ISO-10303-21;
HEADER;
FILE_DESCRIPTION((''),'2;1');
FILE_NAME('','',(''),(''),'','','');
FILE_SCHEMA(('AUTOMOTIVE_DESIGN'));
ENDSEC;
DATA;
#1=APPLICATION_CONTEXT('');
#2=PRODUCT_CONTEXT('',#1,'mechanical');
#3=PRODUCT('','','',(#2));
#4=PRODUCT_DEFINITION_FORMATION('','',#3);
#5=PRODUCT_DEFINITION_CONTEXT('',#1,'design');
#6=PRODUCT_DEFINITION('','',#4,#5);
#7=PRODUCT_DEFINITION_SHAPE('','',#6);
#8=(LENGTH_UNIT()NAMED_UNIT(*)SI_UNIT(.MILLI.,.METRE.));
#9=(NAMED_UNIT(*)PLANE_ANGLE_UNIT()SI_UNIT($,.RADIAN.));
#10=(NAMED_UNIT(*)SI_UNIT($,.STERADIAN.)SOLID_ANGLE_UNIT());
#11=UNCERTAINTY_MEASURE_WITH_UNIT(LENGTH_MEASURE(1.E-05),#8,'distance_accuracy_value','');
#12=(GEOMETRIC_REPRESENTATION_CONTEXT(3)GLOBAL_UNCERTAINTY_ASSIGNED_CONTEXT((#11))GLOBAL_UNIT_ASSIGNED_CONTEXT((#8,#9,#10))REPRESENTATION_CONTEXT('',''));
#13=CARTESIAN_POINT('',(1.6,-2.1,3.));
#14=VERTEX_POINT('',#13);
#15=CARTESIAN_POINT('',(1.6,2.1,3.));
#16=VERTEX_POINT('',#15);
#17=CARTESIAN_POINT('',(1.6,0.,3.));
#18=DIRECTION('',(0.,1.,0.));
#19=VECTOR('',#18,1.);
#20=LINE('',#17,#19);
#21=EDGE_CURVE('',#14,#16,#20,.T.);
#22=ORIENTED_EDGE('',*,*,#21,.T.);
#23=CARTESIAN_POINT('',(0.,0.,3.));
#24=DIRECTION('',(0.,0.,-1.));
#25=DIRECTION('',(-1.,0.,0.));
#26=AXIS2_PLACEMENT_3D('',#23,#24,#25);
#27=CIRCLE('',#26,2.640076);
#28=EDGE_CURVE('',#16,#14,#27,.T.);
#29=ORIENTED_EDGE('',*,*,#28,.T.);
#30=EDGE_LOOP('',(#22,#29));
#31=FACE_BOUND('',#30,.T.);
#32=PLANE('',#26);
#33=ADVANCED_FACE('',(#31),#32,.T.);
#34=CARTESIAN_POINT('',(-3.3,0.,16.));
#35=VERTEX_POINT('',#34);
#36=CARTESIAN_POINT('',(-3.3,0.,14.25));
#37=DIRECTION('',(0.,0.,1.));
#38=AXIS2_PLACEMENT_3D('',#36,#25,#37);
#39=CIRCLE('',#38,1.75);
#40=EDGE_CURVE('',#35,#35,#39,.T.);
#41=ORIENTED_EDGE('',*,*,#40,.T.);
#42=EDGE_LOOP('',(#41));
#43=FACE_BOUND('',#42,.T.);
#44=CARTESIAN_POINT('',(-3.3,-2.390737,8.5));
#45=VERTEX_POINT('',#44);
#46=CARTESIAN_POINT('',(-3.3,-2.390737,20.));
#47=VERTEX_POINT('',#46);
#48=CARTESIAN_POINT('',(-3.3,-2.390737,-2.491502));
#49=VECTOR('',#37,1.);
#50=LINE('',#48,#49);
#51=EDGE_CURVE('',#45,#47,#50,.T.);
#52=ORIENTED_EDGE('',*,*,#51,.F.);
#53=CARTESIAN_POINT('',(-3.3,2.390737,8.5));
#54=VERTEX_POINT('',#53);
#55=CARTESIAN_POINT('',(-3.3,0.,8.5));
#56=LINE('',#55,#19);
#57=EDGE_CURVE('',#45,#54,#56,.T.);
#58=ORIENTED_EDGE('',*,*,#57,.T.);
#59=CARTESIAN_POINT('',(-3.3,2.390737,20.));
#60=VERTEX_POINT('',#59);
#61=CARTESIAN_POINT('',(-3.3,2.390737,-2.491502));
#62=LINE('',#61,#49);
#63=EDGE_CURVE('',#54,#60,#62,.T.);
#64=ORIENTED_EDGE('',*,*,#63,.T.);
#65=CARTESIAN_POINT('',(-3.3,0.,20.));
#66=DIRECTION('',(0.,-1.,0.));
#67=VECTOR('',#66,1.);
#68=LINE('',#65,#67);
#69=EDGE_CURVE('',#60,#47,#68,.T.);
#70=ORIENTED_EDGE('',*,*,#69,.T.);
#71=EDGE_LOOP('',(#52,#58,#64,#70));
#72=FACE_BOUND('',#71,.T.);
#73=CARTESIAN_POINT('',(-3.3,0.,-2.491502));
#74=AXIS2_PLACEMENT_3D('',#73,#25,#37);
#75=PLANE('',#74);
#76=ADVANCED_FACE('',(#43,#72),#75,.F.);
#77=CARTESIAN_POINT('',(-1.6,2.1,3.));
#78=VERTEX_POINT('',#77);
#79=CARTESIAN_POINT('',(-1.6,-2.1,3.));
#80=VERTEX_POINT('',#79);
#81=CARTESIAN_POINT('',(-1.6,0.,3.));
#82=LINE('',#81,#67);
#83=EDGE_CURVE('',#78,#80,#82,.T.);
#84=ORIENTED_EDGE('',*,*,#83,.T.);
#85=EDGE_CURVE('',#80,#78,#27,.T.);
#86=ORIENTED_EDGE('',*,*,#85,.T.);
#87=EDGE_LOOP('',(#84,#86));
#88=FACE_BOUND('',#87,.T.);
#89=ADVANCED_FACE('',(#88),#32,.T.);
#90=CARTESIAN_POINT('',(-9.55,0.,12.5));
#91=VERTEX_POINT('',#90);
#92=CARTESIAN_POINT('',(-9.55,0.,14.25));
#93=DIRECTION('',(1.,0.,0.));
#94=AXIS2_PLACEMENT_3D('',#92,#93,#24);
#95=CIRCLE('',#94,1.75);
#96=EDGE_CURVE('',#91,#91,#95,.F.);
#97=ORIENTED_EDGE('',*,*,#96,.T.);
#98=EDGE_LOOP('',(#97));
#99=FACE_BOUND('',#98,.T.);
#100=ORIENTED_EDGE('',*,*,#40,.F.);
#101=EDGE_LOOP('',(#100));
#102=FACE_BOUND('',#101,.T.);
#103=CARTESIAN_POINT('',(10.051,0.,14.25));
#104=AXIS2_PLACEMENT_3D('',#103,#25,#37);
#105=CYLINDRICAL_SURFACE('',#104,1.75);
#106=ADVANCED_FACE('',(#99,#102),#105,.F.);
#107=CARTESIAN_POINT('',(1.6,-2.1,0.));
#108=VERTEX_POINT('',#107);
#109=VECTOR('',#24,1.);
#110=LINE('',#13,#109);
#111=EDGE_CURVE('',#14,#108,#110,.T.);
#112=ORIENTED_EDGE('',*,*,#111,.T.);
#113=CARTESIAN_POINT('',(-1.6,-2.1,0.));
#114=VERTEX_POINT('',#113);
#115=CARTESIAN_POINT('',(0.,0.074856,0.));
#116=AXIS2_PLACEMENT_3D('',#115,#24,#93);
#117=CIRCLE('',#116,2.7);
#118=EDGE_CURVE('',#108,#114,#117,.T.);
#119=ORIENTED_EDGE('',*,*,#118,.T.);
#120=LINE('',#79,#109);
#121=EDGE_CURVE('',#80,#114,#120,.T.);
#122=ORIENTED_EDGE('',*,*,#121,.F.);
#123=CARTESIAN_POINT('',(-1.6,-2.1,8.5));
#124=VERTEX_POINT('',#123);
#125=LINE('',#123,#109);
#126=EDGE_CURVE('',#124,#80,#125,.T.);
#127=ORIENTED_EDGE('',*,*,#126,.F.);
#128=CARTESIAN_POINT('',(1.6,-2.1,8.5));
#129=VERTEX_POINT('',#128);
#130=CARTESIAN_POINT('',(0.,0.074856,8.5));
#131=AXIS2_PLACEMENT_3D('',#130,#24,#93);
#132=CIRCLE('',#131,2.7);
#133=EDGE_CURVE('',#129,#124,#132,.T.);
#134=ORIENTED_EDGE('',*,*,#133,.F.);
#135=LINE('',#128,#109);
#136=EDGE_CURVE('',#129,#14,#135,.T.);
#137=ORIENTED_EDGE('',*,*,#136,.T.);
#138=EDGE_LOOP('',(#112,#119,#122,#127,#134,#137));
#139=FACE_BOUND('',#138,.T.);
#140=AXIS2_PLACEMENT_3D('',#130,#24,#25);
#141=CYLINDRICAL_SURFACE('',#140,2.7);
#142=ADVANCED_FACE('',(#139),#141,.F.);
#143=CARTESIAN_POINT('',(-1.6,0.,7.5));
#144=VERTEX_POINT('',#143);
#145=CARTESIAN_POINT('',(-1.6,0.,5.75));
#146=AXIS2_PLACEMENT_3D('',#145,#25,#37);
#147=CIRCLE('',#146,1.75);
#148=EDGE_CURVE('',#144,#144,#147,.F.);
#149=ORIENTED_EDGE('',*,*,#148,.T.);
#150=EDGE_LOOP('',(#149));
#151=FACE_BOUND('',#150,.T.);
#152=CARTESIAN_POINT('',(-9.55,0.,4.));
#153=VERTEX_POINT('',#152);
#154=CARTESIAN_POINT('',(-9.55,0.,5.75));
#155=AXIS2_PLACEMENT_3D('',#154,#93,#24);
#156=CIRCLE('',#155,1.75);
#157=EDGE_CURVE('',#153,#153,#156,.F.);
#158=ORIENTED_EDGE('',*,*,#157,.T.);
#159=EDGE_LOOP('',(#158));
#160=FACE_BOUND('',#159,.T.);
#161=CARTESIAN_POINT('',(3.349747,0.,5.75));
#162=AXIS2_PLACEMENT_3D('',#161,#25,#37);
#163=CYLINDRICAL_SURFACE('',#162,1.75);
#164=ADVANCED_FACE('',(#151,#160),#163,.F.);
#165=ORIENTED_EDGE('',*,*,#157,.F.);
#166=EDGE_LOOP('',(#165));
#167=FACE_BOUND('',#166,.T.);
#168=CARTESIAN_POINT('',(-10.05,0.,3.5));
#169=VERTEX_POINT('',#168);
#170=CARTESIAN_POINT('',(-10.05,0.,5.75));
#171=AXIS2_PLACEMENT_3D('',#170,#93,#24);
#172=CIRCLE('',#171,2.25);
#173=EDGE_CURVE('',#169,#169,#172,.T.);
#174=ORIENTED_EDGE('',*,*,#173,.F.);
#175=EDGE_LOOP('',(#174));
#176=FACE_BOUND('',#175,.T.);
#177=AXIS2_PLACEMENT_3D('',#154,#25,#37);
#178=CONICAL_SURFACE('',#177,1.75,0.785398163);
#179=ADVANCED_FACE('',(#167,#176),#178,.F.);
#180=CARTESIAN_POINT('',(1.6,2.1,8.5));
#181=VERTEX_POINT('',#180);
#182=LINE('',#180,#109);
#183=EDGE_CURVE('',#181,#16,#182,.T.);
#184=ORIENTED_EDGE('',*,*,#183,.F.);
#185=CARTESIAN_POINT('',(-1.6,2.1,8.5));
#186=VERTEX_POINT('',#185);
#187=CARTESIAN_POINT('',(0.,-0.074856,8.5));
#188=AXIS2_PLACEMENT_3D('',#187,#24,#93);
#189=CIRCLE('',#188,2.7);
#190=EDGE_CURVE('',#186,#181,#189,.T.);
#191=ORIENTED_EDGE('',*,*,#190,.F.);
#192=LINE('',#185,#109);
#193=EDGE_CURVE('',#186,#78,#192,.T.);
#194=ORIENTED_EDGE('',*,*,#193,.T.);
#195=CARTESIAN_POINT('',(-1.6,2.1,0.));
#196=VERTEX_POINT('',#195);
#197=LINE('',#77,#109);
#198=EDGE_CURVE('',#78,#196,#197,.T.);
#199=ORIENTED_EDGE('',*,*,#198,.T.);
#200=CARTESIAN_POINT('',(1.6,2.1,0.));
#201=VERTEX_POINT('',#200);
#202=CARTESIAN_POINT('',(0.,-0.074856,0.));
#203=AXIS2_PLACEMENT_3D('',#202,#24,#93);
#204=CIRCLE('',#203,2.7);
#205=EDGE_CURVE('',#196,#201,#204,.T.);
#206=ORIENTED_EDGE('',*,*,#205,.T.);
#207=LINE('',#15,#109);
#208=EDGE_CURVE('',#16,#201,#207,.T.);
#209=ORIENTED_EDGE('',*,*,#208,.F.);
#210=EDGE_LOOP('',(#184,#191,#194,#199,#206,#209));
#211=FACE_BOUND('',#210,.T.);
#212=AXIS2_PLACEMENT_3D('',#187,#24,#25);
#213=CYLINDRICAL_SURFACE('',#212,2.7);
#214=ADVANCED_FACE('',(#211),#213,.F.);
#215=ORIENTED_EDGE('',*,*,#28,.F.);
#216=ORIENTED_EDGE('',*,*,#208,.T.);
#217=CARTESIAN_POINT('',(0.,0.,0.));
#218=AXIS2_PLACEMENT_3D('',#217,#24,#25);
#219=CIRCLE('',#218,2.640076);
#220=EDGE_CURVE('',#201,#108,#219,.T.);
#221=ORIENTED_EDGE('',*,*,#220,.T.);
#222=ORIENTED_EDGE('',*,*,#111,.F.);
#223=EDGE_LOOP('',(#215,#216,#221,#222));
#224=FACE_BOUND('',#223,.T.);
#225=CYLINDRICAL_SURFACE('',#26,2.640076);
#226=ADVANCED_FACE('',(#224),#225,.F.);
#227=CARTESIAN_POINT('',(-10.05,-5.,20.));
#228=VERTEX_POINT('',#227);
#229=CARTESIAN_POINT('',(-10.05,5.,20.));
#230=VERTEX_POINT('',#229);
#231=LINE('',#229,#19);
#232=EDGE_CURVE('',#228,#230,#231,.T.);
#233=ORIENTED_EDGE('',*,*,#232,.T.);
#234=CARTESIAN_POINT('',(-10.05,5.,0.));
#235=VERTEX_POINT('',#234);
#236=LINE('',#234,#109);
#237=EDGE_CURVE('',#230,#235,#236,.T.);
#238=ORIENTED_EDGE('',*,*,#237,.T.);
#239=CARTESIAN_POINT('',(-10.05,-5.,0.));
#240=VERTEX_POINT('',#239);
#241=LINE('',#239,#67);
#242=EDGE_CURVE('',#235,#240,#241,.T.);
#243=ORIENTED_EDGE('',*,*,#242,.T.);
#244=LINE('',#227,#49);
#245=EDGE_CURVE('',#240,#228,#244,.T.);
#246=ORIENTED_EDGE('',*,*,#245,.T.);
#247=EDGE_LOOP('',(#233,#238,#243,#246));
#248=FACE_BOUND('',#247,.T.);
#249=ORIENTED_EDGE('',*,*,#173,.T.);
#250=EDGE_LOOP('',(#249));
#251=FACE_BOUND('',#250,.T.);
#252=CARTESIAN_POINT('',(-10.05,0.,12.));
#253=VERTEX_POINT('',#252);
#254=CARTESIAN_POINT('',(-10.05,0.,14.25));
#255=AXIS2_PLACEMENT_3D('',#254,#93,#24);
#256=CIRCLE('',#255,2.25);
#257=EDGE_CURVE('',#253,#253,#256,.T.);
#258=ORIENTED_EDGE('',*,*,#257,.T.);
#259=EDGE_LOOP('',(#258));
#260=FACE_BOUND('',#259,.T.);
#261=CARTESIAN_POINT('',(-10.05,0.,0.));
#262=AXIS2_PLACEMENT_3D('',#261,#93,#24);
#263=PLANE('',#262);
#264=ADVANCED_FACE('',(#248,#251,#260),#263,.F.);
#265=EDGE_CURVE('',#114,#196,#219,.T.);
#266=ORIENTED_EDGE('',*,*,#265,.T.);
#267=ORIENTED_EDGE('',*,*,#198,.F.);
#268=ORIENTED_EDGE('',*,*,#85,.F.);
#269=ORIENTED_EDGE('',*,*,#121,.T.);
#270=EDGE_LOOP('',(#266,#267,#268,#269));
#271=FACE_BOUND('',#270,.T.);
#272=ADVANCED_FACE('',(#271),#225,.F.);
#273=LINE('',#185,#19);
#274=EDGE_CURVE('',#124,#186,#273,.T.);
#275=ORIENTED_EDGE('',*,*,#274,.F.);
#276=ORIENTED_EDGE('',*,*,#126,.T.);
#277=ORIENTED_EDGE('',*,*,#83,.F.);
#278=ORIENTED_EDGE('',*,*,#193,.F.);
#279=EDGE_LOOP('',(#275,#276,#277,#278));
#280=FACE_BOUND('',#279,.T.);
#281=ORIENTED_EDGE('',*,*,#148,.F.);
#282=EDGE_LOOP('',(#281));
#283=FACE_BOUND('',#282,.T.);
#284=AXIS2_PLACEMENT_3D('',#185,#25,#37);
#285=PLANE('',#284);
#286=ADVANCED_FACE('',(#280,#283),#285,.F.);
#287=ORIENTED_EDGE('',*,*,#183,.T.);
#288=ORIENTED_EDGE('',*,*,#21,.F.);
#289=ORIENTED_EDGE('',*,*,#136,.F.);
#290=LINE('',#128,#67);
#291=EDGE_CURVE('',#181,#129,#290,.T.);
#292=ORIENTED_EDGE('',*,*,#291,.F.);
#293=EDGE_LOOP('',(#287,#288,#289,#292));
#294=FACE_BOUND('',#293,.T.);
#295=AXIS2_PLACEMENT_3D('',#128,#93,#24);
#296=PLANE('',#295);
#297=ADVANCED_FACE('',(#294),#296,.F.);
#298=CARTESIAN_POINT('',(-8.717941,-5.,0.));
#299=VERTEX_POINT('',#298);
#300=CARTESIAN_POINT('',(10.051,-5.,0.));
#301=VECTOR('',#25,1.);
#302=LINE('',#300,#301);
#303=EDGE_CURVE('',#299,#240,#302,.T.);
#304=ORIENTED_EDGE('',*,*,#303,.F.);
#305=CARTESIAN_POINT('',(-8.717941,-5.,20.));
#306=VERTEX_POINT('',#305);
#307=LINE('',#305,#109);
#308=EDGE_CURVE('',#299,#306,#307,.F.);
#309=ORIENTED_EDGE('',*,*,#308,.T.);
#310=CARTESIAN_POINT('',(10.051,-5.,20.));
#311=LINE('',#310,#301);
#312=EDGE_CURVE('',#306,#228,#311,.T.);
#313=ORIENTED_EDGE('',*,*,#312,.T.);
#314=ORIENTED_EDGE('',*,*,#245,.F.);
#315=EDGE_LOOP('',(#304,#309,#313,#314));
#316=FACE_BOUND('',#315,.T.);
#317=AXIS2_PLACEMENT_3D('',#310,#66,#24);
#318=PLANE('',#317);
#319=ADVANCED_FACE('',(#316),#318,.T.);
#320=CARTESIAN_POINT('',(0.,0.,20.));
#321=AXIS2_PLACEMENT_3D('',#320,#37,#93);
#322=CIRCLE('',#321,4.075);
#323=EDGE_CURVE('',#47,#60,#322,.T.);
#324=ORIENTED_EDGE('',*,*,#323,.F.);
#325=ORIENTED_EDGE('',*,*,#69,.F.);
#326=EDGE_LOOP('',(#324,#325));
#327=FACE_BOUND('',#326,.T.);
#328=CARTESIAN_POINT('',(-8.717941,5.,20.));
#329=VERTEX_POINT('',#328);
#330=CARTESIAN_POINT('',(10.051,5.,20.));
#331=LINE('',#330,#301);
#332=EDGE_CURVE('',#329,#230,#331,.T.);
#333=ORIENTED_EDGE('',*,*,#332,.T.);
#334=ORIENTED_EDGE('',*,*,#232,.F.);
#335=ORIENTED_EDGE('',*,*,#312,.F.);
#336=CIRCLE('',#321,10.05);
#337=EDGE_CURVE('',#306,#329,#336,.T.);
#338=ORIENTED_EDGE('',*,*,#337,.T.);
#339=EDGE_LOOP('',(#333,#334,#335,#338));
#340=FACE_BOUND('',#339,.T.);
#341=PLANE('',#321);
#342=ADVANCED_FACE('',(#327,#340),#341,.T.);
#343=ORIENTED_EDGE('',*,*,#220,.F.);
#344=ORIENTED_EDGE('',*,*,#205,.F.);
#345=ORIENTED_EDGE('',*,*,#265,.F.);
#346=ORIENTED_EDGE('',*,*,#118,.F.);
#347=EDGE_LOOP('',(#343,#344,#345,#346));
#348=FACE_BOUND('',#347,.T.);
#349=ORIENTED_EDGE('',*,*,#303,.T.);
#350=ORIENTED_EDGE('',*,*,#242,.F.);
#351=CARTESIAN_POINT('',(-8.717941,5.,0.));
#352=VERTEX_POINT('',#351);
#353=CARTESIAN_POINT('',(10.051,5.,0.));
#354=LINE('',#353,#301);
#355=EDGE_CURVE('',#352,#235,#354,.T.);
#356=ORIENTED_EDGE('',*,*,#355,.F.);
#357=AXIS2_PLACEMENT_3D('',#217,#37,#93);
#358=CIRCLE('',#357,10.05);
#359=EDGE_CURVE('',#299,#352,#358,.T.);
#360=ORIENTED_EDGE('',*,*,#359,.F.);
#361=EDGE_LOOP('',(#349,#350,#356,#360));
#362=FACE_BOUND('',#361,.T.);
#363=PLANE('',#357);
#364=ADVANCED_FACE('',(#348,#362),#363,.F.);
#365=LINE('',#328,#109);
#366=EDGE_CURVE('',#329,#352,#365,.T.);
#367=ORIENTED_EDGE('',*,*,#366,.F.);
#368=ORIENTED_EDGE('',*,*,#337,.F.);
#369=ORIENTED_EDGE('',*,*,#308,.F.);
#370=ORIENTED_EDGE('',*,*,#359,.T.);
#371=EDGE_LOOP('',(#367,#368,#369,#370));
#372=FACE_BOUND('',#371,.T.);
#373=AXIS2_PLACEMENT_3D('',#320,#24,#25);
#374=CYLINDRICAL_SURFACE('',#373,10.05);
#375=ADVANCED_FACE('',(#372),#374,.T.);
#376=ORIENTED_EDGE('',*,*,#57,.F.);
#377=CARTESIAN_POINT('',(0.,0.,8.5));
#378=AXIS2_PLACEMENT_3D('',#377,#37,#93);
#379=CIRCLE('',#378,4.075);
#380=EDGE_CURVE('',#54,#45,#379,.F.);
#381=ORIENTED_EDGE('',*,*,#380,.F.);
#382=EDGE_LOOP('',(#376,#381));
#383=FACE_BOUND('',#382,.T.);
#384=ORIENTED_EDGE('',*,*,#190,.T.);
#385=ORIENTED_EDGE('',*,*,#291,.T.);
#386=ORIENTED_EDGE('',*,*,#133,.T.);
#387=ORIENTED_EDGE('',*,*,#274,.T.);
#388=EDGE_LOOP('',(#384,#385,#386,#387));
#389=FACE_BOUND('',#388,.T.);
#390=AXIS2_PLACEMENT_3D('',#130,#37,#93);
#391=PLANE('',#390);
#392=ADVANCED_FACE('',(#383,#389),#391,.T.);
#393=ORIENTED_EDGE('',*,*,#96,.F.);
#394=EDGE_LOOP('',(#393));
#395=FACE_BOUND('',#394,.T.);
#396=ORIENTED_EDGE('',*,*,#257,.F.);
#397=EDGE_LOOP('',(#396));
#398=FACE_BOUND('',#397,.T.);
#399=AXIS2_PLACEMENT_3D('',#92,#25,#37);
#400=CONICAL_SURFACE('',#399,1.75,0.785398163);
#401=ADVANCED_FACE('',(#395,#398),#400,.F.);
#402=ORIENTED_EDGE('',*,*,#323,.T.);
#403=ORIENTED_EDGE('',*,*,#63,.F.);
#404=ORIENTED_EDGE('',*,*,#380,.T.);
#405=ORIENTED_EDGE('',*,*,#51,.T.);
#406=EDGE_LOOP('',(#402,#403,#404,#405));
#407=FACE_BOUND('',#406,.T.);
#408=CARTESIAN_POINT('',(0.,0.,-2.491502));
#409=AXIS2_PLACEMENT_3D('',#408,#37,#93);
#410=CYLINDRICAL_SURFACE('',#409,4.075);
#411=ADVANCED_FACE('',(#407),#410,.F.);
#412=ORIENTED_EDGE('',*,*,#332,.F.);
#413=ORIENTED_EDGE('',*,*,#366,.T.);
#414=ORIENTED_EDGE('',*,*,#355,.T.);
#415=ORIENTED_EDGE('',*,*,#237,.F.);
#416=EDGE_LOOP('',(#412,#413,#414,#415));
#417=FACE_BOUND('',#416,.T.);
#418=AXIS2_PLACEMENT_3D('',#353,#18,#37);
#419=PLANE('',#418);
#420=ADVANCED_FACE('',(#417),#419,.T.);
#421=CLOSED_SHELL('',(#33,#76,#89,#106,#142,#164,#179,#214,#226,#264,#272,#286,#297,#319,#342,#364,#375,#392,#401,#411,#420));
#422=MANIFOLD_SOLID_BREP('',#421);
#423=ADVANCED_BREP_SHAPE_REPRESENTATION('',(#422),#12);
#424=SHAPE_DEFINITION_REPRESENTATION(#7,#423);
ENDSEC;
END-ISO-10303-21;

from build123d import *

# Parameters (mm, degrees)
SKETCH1_R                = 10.05
BOSS_EXTRUDE1_DEPTH      = 20
CUT_EXTRUDE2_DEPTH       = 8.5
CUT_EXTRUDE3_DEPTH       = 3
CUT_EXTRUDE1_DEPTH       = 11.5
BOSS_EXTRUDE2_REACH      = 32.083
BOSS_EXTRUDE2_END_RADIUS = 10.05
SKETCH8_W                = 20
SKETCH8_H                = 10
SKETCH6_R                = 1.75
CUT_EXTRUDE4_DEPTH       = 8.45
CUT_EXTRUDE5_REACH       = 32.083
CHAMFER1_SIZE            = 0.5


with BuildPart() as part:
    # Sketch1 → Boss-Extrude1 (new body)
    with BuildSketch(Plane.XY):
        Circle(SKETCH1_R)
    extrude(amount=BOSS_EXTRUDE1_DEPTH)

    # Sketch4 → Cut-Extrude2 (cut)
    with BuildSketch(Plane(origin=(0, 0, 0), x_dir=(-1, 0, 0), z_dir=(0, 0, -1))):
        with BuildLine():
            Line((-1.6, -2.1), (-1.6, 2.1))
            ThreePointArc((-1.6, 2.1), (0, 2.625143683), (1.6, 2.1))
            Line((1.6, 2.1), (1.6, -2.1))
            ThreePointArc((1.6, -2.1), (0, -2.625143683), (-1.6, -2.1))
        make_face()
    extrude(amount=-CUT_EXTRUDE2_DEPTH, mode=Mode.SUBTRACT)

    # Sketch5 → Cut-Extrude3 (cut)
    with BuildSketch(Plane(origin=(0, 0, 0), x_dir=(-1, 0, 0), z_dir=(0, 0, -1))):
        with BuildLine():
            Line((-1.6, -2.1), (-1.6, 2.1))
            ThreePointArc((-1.6, 2.1), (-2.640075756, 0), (-1.6, -2.1))
        make_face()
        with BuildLine():
            ThreePointArc((1.6, -2.1), (2.365810771, -1.171724966), (2.640075756, 0))
            ThreePointArc((2.640075756, 0), (2.365810771, 1.171724966), (1.6, 2.1))
            Line((1.6, 2.1), (1.6, -2.1))
        make_face()
    extrude(amount=-CUT_EXTRUDE3_DEPTH, mode=Mode.SUBTRACT)

    # Sketch3 → Cut-Extrude1 (cut)
    with BuildSketch(Plane.XY.offset(20)):
        with BuildLine():
            ThreePointArc((4.075, 0), (1.256607536, 3.876411033), (-3.3, 2.390737334))
            Line((-3.3, 2.390737334), (-3.3, -2.390737334))
            ThreePointArc((-3.3, -2.390737334), (1.256607536, -3.876411033), (4.075, 0))
        make_face()
    extrude(amount=-CUT_EXTRUDE1_DEPTH, mode=Mode.SUBTRACT)

    # Boss-Extrude2: up to this cylinder (the profile starts outside it)
    boss_extrude2_end = Plane(origin=(0, 0, 10), z_dir=(0, 0, -1)) * Cylinder(BOSS_EXTRUDE2_END_RADIUS, 85.266, mode=Mode.PRIVATE)
    # Sketch8 → Boss-Extrude2 (add, up to the surface)
    with BuildSketch(Plane.ZY.offset(10.05), mode=Mode.PRIVATE) as boss_extrude2_sk1:
        with Locations((10, 0)):
            Rectangle(SKETCH8_W, SKETCH8_H)
    boss_extrude2_tool1 = extrude(boss_extrude2_sk1.sketch, amount=-BOSS_EXTRUDE2_REACH, mode=Mode.PRIVATE) - boss_extrude2_end
    add(boss_extrude2_tool1.solids().sort_by_distance((-10.05, 0, 10))[0])
    add(boss_extrude2_tool1.solids().sort_by_distance((-10.05, 0, 10))[1])

    # Sketch6 → Cut-Extrude4 (cut)
    with BuildSketch(Plane.ZY.offset(10.05)):
        with Locations((5.75, 0)):
            Circle(SKETCH6_R)
    extrude(amount=-CUT_EXTRUDE4_DEPTH, mode=Mode.SUBTRACT)

    # Sketch7 → Cut-Extrude5 (cut, up to next)
    with BuildSketch(Plane.ZY.offset(10.05), mode=Mode.PRIVATE) as cut_extrude5_sk1:
        with BuildLine():
            ThreePointArc((16, 0), (14.25, 1.75), (12.5, 0))
            Line((12.5, 0), (16, 0))
        make_face()
    cut_extrude5_tool1 = extrude(cut_extrude5_sk1.sketch, amount=-CUT_EXTRUDE5_REACH, mode=Mode.PRIVATE) & part.part
    # Sketch7 → Cut-Extrude5 (cut, up to next)
    with BuildSketch(Plane.ZY.offset(10.05), mode=Mode.PRIVATE) as cut_extrude5_sk2:
        with BuildLine():
            Line((16, 0), (12.5, 0))
            ThreePointArc((12.5, 0), (14.25, -1.75), (16, 0))
        make_face()
    cut_extrude5_tool2 = extrude(cut_extrude5_sk2.sketch, amount=-CUT_EXTRUDE5_REACH, mode=Mode.PRIVATE) & part.part
    # Sketch7 → Cut-Extrude5 (cut, up to next)
    with BuildSketch(Plane.ZY.offset(10.05), mode=Mode.PRIVATE) as cut_extrude5_sk3:
        with BuildLine():
            ThreePointArc((16, 0), (14.25, 1.75), (12.5, 0))
            Line((12.5, 0), (16, 0))
        make_face()
    cut_extrude5_tool3 = extrude(cut_extrude5_sk3.sketch, amount=-CUT_EXTRUDE5_REACH, mode=Mode.PRIVATE) & part.part
    # Sketch7 → Cut-Extrude5 (cut, up to next)
    with BuildSketch(Plane.ZY.offset(10.05), mode=Mode.PRIVATE) as cut_extrude5_sk4:
        with BuildLine():
            Line((16, 0), (12.5, 0))
            ThreePointArc((12.5, 0), (14.25, -1.75), (16, 0))
        make_face()
    cut_extrude5_tool4 = extrude(cut_extrude5_sk4.sketch, amount=-CUT_EXTRUDE5_REACH, mode=Mode.PRIVATE) & part.part
    add(cut_extrude5_tool1.solids().sort_by_distance((-10.05, 0.742723, 14.25))[0], mode=Mode.SUBTRACT)
    add(cut_extrude5_tool2.solids().sort_by_distance((-10.05, -0.742723, 14.25))[0], mode=Mode.SUBTRACT)
    add(cut_extrude5_tool3.solids().sort_by_distance((-10.05, 0.742723, 14.25))[0], mode=Mode.SUBTRACT)
    add(cut_extrude5_tool4.solids().sort_by_distance((-10.05, -0.742723, 14.25))[0], mode=Mode.SUBTRACT)

    # Chamfer1
    chamfer1_edges = [part.edges().sort_by_distance(p)[0] for p in [
        (-10.05, 0, 4),
        (-10.05, 0, 12.5),
    ]]
    chamfer(chamfer1_edges, length=CHAMFER1_SIZE)


solid = part.part
